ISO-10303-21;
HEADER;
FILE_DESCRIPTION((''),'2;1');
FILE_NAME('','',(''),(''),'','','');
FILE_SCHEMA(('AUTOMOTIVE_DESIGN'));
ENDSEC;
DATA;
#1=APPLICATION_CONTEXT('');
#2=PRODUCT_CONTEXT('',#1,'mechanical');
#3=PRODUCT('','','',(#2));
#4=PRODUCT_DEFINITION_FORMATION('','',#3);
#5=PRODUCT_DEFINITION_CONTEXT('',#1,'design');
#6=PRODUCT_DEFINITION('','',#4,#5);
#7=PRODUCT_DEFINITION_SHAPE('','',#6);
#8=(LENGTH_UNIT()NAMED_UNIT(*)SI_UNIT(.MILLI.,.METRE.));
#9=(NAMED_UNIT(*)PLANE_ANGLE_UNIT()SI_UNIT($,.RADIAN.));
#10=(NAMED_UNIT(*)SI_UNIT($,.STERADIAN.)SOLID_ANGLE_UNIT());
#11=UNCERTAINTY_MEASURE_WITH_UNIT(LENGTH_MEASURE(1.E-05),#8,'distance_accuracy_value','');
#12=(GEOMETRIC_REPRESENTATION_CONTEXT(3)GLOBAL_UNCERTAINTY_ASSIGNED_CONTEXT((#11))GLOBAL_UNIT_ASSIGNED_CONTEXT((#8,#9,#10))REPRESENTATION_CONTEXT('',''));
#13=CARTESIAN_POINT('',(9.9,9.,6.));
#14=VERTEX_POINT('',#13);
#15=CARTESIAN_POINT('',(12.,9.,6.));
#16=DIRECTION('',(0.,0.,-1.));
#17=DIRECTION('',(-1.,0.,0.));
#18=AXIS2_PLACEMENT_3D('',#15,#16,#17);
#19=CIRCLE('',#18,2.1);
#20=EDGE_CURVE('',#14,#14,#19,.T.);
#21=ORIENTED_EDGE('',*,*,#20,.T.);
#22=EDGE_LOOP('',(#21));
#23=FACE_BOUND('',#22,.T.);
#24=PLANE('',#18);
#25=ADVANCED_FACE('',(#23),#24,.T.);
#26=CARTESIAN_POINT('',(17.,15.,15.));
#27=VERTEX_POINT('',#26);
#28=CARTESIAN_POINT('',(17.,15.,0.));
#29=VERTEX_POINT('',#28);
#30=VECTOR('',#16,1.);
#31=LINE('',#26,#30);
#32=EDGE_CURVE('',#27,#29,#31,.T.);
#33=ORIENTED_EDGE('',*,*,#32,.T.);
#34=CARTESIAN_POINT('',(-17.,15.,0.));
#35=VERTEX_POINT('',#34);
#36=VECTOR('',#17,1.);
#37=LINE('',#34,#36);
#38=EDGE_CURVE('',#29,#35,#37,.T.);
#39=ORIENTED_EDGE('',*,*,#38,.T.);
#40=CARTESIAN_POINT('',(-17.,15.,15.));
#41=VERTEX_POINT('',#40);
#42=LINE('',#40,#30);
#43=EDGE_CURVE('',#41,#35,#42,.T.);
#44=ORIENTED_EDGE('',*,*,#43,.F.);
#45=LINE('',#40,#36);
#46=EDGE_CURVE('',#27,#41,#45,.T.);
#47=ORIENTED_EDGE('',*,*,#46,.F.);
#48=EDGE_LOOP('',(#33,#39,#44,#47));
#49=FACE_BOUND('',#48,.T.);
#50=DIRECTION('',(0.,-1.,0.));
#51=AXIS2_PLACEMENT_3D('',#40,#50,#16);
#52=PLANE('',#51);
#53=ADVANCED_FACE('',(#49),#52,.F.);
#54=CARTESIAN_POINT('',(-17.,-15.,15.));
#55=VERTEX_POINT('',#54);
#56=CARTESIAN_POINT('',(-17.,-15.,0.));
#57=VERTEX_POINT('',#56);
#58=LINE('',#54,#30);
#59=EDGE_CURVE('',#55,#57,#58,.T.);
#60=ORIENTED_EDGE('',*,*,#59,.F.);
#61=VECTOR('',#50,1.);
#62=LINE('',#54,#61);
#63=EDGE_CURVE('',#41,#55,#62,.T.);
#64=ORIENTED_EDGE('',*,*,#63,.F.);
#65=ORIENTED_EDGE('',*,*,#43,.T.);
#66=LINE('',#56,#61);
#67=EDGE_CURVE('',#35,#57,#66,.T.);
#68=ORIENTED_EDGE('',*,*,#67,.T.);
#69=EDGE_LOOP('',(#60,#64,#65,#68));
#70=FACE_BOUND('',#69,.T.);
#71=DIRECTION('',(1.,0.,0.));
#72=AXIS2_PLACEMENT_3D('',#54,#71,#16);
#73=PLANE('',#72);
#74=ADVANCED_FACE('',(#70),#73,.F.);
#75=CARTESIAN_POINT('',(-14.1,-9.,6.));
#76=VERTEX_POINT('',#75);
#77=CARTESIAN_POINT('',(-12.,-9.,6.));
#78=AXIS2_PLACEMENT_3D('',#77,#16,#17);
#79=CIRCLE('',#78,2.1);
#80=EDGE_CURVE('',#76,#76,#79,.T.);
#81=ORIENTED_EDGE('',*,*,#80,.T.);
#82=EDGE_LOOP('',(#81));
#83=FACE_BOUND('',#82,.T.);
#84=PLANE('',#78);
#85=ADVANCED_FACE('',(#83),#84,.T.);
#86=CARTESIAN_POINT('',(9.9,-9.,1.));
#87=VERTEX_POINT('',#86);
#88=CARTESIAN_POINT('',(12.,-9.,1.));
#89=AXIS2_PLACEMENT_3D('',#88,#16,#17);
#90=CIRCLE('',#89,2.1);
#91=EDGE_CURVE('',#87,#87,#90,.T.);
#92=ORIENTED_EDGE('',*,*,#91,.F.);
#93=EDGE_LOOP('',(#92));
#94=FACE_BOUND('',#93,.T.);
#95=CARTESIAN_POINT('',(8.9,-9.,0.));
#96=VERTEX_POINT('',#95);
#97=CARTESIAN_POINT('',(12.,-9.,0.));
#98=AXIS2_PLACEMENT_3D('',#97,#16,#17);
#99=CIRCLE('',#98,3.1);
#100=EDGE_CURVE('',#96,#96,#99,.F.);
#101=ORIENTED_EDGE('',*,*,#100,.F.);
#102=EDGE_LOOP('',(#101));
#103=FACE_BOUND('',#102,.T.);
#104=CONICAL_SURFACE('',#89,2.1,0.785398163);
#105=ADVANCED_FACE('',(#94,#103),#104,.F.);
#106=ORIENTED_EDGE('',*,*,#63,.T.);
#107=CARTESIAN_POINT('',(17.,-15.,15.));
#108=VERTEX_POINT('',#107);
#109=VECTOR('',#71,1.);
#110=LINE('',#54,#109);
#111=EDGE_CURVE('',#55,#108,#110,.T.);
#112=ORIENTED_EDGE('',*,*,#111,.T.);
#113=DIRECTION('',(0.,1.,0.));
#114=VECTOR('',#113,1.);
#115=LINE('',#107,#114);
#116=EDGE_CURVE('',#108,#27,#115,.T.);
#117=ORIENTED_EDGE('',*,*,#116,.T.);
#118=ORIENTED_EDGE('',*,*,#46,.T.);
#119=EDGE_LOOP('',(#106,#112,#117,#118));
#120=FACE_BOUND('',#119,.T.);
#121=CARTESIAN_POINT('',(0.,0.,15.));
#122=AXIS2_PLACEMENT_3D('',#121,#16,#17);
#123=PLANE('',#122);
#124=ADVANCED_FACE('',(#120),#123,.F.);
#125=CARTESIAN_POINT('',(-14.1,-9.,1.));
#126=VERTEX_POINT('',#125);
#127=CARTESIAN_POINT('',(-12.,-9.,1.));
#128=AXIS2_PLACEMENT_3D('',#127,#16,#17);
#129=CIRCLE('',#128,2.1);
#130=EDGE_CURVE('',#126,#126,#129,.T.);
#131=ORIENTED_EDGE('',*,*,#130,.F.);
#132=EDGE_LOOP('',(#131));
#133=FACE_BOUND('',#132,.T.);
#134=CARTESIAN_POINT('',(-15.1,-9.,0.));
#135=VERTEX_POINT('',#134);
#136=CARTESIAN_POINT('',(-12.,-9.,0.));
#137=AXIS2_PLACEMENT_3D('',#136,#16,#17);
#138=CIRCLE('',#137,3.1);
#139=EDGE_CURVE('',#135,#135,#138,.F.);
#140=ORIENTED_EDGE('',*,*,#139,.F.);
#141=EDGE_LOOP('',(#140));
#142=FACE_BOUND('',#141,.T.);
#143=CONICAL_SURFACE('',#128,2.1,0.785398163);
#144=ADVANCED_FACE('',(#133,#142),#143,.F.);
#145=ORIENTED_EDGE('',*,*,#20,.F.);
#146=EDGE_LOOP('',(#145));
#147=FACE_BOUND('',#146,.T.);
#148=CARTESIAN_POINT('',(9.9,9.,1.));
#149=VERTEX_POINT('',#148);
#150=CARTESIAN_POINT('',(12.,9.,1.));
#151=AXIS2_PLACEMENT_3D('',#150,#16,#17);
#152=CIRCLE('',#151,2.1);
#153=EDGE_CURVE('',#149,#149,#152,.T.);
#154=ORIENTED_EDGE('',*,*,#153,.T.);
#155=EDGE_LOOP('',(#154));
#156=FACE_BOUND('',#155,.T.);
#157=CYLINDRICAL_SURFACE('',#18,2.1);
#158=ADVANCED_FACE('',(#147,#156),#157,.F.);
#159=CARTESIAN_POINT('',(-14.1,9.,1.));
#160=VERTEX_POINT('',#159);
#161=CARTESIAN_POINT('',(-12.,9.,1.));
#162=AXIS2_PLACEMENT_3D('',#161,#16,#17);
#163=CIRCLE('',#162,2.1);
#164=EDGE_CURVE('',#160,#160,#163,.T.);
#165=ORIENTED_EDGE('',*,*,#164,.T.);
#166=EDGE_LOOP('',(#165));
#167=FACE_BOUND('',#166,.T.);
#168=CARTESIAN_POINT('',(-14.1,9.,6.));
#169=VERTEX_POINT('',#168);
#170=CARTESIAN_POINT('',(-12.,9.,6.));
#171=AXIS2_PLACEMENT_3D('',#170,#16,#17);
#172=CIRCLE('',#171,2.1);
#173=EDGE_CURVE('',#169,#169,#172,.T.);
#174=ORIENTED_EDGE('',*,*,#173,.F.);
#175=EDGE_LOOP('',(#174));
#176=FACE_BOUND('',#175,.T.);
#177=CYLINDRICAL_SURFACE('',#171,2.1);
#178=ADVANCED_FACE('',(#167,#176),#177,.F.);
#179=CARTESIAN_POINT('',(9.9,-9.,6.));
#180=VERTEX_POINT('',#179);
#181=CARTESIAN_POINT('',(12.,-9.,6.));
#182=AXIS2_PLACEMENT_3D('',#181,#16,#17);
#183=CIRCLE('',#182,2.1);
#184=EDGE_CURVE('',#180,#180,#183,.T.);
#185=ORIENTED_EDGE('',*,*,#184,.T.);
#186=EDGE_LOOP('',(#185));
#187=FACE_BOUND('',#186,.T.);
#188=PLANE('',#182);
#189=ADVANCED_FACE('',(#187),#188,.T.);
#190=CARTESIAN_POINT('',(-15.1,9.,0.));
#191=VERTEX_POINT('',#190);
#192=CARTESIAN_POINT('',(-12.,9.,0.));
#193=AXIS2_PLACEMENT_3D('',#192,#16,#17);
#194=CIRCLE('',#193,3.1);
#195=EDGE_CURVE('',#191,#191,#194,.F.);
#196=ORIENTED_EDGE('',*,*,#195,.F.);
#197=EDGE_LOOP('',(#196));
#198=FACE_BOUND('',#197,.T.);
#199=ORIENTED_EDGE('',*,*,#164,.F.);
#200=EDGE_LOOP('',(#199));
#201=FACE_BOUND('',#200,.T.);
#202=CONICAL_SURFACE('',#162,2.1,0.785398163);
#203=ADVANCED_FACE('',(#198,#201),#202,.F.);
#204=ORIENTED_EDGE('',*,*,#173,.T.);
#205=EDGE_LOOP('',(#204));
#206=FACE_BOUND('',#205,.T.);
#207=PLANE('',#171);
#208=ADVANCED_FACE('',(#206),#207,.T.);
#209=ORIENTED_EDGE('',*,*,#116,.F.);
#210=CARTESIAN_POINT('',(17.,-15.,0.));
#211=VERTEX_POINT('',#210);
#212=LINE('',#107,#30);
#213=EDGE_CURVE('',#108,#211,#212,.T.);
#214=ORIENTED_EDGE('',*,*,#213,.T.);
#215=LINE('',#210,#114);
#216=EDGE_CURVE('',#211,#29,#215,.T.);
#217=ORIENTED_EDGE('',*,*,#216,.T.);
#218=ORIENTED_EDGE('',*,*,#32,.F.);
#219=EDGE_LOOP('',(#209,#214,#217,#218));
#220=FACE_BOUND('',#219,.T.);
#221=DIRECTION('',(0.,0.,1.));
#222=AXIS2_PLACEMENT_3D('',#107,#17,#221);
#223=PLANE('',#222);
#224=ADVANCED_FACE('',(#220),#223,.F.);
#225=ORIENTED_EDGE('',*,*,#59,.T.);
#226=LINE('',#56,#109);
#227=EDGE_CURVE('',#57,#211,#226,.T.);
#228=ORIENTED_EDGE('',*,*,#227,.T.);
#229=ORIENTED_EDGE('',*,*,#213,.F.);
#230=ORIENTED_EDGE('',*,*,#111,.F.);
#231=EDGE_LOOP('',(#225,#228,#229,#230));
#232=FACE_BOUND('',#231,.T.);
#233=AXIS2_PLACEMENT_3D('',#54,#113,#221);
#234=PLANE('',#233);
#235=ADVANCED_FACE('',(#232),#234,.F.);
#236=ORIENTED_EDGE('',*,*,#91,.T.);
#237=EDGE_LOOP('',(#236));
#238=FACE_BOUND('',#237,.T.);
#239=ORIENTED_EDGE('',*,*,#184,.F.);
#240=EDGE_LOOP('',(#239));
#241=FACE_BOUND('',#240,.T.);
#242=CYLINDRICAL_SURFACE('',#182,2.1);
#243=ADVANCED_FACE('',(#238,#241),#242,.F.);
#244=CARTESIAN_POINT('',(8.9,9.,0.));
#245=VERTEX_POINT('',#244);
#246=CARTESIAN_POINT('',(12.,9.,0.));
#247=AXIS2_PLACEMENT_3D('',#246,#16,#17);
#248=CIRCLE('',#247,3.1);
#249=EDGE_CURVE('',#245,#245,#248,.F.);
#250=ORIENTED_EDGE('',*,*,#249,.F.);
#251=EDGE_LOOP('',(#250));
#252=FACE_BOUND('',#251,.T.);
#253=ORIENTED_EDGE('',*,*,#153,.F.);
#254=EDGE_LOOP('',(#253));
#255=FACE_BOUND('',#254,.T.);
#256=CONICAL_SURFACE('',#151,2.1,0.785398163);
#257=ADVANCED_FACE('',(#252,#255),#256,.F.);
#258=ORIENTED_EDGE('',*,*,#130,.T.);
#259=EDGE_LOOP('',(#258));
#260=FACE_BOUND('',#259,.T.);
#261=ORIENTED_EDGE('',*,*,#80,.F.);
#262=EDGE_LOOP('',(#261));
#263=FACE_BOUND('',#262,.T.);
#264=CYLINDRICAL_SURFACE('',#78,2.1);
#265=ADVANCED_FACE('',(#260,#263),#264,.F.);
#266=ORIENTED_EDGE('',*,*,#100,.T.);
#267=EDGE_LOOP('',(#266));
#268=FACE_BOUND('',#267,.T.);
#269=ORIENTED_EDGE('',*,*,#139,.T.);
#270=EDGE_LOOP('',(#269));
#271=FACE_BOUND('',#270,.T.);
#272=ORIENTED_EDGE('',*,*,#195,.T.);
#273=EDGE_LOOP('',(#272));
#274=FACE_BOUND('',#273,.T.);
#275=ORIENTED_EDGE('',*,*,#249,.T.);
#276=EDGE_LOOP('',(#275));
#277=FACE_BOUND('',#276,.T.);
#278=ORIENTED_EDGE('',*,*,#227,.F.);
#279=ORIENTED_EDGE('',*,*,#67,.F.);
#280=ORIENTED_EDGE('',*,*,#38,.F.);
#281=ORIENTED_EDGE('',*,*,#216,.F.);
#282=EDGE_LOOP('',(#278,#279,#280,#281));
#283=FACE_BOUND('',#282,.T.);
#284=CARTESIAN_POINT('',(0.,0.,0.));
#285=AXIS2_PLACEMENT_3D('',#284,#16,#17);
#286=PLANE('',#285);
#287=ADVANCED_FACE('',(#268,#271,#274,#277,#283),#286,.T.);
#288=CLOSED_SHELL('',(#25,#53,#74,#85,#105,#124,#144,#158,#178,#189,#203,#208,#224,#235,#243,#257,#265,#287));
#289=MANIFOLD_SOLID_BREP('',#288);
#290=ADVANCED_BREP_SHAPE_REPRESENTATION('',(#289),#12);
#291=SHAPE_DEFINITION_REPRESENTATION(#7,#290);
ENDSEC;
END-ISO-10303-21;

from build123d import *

# Parameters (mm, degrees)
SKETCH1_W           = 34
SKETCH1_H           = 30
BOSS_EXTRUDE1_DEPTH = 15
SKETCH2_R           = 2.1
CUT_EXTRUDE1_DEPTH  = 6
CHAMFER1_SIZE       = 1


with BuildPart() as part:
    # Sketch1 → Boss-Extrude1 (new body)
    with BuildSketch(Plane.XY):
        Rectangle(SKETCH1_W, SKETCH1_H)
    extrude(amount=BOSS_EXTRUDE1_DEPTH)

    # Sketch2 → Cut-Extrude1 (cut)
    with BuildSketch(Plane(origin=(0, 0, 0), x_dir=(-1, 0, 0), z_dir=(0, 0, -1))):
        with Locations((12, -9)):
            Circle(SKETCH2_R)
        with Locations((12, 9)):
            Circle(SKETCH2_R)
        with Locations((-12, 9)):
            Circle(SKETCH2_R)
        with Locations((-12, -9)):
            Circle(SKETCH2_R)
    extrude(amount=-CUT_EXTRUDE1_DEPTH, mode=Mode.SUBTRACT)

    # Chamfer1
    chamfer1_edges = [part.edges().sort_by_distance(p)[0] for p in [
        (14.1, -9, 0),
        (14.1, 9, 0),
        (-9.9, 9, 0),
        (-9.9, -9, 0),
    ]]
    chamfer(chamfer1_edges, length=CHAMFER1_SIZE)


solid = part.part
